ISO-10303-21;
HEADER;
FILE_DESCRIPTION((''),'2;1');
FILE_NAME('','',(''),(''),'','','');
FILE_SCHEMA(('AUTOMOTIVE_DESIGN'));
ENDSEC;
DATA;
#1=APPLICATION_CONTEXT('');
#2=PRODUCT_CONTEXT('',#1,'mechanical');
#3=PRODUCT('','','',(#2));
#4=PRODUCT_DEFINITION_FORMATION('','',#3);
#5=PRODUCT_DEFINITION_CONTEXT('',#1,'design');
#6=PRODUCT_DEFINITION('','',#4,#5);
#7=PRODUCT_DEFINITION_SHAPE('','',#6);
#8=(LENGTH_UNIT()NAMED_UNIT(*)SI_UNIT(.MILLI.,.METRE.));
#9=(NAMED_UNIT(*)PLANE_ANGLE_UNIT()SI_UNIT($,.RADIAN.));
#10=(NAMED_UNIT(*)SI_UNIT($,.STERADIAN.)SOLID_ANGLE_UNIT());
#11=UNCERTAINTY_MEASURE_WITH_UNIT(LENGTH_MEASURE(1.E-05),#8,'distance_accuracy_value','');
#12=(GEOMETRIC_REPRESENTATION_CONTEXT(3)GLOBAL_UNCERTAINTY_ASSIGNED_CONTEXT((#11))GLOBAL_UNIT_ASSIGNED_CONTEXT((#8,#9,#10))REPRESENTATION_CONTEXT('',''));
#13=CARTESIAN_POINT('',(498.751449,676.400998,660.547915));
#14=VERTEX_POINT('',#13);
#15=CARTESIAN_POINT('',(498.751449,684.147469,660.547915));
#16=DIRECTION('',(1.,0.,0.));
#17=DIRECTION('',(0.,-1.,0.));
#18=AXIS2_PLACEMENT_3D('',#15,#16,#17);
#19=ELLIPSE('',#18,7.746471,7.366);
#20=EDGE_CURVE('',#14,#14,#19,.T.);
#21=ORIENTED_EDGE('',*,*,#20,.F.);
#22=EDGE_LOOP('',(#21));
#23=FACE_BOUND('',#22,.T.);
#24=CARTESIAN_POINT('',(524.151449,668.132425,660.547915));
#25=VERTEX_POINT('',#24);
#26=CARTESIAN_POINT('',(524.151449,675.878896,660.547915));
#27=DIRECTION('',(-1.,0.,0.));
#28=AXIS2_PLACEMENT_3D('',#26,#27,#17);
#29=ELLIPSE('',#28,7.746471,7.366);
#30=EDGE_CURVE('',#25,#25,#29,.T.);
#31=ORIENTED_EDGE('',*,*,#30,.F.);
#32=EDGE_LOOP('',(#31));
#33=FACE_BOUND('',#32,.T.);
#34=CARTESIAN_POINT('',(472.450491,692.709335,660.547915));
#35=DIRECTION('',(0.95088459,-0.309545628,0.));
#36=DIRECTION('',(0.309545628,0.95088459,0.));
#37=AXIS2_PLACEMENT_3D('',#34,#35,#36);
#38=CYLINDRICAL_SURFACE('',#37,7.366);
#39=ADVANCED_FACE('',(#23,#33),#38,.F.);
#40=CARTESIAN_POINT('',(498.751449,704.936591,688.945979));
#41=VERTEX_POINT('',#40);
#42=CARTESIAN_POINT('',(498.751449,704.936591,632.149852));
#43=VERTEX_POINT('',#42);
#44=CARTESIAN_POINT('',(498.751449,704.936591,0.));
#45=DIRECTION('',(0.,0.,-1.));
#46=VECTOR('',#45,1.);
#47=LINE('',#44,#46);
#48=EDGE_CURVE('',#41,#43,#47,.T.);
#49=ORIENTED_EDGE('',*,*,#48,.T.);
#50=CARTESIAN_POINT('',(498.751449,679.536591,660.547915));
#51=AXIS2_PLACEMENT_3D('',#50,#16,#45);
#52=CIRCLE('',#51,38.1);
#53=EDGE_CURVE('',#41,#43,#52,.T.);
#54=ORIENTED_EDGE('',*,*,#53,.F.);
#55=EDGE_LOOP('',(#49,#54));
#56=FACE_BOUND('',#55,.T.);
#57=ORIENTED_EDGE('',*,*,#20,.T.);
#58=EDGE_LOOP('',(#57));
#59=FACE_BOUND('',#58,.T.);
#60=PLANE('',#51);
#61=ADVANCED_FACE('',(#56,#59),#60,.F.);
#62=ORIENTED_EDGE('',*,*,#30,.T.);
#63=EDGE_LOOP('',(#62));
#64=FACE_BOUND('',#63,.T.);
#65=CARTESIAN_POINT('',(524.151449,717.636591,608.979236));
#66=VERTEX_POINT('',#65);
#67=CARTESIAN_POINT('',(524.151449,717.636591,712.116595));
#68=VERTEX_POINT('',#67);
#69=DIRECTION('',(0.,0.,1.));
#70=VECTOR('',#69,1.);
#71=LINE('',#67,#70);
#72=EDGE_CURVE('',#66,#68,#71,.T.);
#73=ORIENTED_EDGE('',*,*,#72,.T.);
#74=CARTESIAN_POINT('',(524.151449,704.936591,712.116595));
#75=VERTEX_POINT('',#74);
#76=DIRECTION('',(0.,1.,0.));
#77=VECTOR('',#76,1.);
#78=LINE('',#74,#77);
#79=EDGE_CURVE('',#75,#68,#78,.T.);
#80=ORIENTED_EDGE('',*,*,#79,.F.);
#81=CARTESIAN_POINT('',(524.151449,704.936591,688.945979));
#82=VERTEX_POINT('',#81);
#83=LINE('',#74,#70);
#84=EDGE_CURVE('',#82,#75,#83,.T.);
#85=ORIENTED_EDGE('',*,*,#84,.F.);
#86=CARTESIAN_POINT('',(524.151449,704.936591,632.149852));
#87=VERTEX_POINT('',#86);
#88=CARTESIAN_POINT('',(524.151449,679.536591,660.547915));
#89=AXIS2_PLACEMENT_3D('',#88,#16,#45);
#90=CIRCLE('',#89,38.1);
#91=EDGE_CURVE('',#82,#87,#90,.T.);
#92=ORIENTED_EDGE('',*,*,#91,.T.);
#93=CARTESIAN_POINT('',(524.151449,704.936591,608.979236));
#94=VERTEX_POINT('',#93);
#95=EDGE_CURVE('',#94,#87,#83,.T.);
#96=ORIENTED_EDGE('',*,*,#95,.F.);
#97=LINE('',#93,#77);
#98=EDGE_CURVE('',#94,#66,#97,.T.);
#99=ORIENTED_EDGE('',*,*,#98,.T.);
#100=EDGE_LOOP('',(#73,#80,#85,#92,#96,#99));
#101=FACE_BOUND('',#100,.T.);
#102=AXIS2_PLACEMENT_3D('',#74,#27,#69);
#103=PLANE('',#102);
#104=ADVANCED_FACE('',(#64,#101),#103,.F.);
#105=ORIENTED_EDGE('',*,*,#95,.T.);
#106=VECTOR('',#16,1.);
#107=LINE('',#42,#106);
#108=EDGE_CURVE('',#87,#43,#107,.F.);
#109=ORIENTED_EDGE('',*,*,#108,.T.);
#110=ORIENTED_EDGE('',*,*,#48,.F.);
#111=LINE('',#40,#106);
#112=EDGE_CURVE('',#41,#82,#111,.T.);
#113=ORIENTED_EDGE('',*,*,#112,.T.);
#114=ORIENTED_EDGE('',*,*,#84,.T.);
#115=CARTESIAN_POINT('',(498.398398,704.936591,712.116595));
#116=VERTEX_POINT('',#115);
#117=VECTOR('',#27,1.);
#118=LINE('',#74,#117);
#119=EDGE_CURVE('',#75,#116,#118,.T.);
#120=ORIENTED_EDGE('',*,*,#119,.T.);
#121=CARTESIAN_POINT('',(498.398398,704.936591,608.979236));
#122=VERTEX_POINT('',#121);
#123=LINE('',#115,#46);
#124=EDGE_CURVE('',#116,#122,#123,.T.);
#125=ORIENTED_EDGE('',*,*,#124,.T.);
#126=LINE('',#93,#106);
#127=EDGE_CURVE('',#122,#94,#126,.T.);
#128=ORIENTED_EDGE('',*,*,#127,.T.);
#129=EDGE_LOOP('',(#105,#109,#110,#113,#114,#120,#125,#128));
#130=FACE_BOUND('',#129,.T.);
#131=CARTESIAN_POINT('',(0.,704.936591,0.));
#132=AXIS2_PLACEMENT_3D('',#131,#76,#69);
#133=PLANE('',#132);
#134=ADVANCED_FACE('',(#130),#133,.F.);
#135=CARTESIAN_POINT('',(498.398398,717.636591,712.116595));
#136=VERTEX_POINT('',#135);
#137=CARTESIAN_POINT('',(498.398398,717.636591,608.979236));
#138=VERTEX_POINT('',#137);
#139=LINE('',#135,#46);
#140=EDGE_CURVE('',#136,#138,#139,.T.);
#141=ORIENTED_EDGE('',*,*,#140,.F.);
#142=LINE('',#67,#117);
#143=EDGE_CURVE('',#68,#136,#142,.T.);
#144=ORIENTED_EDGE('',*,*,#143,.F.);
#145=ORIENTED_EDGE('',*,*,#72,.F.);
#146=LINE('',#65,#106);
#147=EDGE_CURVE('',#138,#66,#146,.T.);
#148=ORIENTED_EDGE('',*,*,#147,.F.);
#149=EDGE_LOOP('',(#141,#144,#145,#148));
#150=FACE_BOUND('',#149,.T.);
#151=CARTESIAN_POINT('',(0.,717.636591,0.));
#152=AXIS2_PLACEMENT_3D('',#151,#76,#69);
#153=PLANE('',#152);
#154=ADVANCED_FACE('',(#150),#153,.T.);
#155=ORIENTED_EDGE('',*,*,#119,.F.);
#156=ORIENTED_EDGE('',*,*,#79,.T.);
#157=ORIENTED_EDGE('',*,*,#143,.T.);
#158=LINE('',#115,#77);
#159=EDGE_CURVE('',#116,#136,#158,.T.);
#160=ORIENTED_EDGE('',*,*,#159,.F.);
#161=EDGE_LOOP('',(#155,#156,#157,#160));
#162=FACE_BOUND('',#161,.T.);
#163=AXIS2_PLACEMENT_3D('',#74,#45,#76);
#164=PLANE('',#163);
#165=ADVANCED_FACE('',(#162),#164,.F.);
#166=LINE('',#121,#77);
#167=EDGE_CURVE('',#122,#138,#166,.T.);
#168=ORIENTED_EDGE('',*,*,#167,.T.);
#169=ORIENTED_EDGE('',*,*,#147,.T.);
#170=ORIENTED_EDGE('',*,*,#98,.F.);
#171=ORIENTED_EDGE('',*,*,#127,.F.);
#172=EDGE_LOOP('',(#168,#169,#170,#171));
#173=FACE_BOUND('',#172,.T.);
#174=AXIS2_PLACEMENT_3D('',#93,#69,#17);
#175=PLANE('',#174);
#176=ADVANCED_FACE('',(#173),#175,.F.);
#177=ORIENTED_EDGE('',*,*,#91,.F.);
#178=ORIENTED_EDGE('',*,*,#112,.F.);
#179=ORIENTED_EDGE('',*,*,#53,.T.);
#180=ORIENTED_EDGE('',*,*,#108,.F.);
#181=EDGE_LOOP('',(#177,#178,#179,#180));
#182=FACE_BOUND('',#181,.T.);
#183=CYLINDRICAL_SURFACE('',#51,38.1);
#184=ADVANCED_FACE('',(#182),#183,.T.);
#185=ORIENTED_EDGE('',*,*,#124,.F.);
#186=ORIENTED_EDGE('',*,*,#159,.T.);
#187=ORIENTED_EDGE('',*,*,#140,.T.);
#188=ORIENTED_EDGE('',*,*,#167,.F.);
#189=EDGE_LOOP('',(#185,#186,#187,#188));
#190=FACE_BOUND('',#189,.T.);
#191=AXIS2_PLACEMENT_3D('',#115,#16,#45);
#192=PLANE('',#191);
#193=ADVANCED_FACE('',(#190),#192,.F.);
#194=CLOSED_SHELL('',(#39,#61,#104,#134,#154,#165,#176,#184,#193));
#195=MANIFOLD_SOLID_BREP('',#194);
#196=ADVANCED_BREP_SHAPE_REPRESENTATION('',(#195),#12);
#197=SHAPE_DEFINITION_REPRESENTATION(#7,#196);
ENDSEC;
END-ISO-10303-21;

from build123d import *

# Parameters (mm, degrees)
SKETCH3_W            = 25.753050404
SKETCH3_H            = 103.137359271
BOSS_EXTRUDE1_DEPTH  = 12.7
SKETCH4_R            = 38.1
BOSS_EXTRUDE2_DEPTH  = 25.4
CUT_SWEEP1_PROFILE_R = 7.366


with BuildPart() as part:
    # Sketch3 → Boss-Extrude1 (new body)
    with BuildSketch(Plane(origin=(0, 717.636591226, 0), x_dir=(-1, 0, 0), z_dir=(0, -1, 0))):
        with Locations((-511.2749233, -660.547915429)):
            Rectangle(SKETCH3_W, SKETCH3_H)
    extrude(amount=BOSS_EXTRUDE1_DEPTH)

    # Sketch4 → Boss-Extrude2 (add)
    with BuildSketch(Plane(origin=(524.151448502, 0, 0), x_dir=(0, 0, -1), z_dir=(1, 0, 0))):
        with Locations((-660.547915428, 679.536591226)):
            Circle(SKETCH4_R)
    extrude(amount=-BOSS_EXTRUDE2_DEPTH)

    # Cut-Sweep1: sweep along a path in Sketch5
    with BuildLine(Plane.XY.offset(660.547915428)) as cut_sweep1_path:
        Line((472.45049051, 692.709335123), (547.766548789, 668.191368615))
    # Cut-Sweep1 profile (on start of the path) → Cut-Sweep1 (sweep, cut)
    with BuildSketch(Plane(origin=(472.45049051, 692.709335123, 660.547915428), x_dir=(0.309545628, 0.95088459, 0), z_dir=(0.95088459, -0.309545628, 0))):
        Circle(CUT_SWEEP1_PROFILE_R)
    sweep(path=cut_sweep1_path.line, mode=Mode.SUBTRACT)


solid = part.part
